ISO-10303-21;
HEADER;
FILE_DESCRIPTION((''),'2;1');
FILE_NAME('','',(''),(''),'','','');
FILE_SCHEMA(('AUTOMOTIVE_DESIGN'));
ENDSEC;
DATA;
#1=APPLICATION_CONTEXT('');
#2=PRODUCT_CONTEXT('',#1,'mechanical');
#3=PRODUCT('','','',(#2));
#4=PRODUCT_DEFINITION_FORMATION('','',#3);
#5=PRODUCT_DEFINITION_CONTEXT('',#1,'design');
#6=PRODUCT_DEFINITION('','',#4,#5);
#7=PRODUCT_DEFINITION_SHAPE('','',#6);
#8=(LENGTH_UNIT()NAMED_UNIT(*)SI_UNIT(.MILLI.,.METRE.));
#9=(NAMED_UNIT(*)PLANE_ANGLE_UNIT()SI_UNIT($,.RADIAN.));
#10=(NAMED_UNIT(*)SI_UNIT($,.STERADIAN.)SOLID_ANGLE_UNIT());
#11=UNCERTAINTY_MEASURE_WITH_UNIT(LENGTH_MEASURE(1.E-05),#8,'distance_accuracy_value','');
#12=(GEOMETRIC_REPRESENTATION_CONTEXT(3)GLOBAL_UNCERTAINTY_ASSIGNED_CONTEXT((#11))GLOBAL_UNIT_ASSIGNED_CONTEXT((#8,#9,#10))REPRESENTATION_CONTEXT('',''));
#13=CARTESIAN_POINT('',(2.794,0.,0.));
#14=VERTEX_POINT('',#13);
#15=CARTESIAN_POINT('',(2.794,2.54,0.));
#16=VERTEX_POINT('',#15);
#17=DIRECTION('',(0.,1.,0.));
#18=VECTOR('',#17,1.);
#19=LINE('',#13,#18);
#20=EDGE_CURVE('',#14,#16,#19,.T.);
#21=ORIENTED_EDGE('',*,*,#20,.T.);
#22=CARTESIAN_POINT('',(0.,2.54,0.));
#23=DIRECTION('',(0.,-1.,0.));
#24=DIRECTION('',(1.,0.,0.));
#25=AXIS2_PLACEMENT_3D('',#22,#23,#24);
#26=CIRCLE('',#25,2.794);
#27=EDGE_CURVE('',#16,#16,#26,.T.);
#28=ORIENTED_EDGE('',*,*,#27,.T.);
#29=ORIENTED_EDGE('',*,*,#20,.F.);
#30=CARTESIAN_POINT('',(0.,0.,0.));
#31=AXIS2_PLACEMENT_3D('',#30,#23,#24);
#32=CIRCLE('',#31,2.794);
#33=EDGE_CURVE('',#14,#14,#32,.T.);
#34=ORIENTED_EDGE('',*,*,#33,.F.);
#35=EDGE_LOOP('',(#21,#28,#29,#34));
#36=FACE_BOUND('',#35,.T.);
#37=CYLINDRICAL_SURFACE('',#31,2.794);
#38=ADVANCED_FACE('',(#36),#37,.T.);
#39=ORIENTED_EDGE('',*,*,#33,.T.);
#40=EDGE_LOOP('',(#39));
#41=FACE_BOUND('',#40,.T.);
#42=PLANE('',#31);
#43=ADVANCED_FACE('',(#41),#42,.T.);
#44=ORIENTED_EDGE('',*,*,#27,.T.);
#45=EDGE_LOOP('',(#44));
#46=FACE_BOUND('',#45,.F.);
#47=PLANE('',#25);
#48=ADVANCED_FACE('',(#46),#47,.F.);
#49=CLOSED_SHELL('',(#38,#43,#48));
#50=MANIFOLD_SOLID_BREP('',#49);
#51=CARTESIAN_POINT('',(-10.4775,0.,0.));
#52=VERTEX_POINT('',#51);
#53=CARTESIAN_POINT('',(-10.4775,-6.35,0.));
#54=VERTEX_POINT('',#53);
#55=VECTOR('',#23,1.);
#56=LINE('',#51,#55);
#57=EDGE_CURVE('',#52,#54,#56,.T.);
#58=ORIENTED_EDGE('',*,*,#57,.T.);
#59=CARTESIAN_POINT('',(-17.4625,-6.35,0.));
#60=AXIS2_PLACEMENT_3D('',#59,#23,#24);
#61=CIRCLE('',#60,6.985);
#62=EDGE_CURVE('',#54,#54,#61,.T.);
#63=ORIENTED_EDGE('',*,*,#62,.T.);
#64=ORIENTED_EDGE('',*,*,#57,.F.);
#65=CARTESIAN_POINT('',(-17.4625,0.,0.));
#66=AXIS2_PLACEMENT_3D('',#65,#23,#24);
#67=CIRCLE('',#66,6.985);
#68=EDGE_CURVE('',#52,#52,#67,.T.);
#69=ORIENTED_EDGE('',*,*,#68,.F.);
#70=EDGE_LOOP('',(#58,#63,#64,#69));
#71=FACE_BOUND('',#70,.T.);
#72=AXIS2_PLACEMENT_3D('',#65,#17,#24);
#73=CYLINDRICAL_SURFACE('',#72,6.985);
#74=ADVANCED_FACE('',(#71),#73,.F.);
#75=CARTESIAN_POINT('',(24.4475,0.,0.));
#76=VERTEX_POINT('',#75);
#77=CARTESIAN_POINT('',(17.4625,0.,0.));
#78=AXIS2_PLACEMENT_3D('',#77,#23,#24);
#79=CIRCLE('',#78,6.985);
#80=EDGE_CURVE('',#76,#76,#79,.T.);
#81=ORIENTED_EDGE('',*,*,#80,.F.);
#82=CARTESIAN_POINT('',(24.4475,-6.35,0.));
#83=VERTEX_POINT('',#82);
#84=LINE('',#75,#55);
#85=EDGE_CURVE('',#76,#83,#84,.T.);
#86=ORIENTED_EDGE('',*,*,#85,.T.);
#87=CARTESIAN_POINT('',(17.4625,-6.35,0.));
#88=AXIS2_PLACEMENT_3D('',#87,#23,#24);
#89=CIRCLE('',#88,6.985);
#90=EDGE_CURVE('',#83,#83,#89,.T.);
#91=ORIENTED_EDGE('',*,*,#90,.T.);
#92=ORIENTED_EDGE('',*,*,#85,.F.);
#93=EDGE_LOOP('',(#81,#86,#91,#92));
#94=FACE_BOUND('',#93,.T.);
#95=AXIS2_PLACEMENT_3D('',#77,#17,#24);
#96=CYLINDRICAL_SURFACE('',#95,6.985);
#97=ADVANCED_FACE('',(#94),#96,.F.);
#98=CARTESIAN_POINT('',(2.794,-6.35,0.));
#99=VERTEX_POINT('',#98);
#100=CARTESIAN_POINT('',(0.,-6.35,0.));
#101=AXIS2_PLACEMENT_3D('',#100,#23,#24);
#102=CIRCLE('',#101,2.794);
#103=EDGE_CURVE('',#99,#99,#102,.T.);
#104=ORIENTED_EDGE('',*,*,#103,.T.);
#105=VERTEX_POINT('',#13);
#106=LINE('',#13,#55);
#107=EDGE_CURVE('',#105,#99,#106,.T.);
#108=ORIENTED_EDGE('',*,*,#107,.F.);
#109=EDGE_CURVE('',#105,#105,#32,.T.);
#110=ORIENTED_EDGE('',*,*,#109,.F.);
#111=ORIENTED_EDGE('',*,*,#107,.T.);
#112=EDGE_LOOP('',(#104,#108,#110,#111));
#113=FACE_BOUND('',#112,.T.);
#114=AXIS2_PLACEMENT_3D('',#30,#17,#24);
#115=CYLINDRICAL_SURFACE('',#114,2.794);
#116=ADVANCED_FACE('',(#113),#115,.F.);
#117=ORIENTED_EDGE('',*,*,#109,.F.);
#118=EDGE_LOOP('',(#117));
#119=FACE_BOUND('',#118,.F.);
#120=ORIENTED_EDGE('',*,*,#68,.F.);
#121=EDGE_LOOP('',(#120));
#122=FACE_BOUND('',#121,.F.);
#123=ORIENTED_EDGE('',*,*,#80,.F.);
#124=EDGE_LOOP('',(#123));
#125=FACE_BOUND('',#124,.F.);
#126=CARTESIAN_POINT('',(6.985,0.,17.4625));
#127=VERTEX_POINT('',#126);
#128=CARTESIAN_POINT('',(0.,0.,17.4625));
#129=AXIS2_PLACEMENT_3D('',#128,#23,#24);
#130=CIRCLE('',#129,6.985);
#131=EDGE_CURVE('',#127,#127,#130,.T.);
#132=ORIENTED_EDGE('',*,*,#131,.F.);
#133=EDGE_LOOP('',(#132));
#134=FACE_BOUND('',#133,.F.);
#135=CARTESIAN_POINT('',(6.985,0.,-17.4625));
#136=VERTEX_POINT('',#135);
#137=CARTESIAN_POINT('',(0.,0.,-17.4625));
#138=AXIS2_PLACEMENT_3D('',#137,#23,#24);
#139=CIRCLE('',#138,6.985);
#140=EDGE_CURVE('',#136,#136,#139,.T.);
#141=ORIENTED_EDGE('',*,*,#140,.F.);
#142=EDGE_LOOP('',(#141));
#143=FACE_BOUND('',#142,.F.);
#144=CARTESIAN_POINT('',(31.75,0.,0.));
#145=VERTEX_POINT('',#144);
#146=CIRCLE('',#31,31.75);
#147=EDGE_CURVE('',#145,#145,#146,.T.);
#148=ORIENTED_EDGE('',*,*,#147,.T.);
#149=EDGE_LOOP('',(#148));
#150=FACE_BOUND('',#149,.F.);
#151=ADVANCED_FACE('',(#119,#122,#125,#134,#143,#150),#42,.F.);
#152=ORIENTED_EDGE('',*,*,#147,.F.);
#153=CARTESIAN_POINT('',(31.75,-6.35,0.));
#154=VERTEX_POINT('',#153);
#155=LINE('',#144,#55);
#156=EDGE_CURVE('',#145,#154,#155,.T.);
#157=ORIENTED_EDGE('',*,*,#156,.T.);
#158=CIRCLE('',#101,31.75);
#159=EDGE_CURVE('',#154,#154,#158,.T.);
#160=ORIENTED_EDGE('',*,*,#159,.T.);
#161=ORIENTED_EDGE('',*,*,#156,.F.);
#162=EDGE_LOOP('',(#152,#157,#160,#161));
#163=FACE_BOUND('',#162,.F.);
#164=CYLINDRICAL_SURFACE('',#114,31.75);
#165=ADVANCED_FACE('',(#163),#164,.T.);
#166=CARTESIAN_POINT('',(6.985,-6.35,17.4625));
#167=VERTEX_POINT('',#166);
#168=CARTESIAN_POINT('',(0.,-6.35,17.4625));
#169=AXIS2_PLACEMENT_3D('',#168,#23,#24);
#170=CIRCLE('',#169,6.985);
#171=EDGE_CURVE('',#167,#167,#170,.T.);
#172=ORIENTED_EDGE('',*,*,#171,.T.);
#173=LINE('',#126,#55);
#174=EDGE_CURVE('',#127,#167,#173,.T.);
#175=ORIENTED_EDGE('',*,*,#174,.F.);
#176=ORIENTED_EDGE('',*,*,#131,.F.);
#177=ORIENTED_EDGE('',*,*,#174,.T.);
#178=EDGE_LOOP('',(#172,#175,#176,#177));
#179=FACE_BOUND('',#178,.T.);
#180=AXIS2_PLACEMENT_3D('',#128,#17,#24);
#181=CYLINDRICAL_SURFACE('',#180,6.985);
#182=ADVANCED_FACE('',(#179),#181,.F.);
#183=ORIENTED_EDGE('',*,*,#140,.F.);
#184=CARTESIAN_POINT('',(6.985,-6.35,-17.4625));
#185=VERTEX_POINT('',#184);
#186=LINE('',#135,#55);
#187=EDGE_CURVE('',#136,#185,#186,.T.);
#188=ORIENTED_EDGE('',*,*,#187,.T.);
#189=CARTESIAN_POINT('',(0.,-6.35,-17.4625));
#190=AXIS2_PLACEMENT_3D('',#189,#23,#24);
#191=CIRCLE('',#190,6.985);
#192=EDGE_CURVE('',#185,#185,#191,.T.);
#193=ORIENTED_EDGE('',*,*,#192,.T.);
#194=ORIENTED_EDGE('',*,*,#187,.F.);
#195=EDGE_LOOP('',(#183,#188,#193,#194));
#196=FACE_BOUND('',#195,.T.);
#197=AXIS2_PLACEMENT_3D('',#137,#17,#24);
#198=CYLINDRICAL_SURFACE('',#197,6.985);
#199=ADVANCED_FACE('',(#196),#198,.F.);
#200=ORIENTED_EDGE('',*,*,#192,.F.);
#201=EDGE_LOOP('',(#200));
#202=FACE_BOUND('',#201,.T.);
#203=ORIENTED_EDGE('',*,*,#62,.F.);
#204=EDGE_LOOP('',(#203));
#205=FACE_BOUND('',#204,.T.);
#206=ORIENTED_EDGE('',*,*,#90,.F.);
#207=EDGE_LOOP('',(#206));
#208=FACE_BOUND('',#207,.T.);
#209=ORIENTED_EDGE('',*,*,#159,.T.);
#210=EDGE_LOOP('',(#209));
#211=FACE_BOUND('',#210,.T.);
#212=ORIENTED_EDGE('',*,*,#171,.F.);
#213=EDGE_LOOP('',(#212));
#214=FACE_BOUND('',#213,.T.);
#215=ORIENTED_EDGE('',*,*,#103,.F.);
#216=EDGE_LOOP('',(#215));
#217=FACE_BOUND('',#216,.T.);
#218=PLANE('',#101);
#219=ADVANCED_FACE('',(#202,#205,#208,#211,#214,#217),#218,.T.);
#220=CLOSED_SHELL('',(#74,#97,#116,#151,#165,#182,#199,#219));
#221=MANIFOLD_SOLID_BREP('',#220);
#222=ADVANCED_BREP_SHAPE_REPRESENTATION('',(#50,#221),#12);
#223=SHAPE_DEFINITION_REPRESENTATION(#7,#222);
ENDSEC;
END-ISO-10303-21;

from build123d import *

# Parameters (mm, degrees)
F0_R     = 31.75
F0_R_2   = 6.985
F0_R_3   = 2.794
F1_DEPTH = 6.35
F2_DEPTH = 2.54


with BuildPart() as f1:
    # F0 (on Front) → F1 (new body)
    with BuildSketch(Plane.XZ):
        Circle(F0_R)
        with Locations((0, -17.4625)):
            Circle(F0_R_2, mode=Mode.SUBTRACT)
        with Locations((-17.4625, 0)):
            Circle(F0_R_2, mode=Mode.SUBTRACT)
        Circle(F0_R_3, mode=Mode.SUBTRACT)
        with Locations((17.4625, 0)):
            Circle(F0_R_2, mode=Mode.SUBTRACT)
        with Locations((0, 17.4625)):
            Circle(F0_R_2, mode=Mode.SUBTRACT)
    extrude(amount=F1_DEPTH)


with BuildPart() as f2:
    # F0 (on Front) → F2 (new body)
    with BuildSketch(Plane.XZ):
        Circle(F0_R_3)
    extrude(amount=-F2_DEPTH)


solid = Compound([f1.part, f2.part])
